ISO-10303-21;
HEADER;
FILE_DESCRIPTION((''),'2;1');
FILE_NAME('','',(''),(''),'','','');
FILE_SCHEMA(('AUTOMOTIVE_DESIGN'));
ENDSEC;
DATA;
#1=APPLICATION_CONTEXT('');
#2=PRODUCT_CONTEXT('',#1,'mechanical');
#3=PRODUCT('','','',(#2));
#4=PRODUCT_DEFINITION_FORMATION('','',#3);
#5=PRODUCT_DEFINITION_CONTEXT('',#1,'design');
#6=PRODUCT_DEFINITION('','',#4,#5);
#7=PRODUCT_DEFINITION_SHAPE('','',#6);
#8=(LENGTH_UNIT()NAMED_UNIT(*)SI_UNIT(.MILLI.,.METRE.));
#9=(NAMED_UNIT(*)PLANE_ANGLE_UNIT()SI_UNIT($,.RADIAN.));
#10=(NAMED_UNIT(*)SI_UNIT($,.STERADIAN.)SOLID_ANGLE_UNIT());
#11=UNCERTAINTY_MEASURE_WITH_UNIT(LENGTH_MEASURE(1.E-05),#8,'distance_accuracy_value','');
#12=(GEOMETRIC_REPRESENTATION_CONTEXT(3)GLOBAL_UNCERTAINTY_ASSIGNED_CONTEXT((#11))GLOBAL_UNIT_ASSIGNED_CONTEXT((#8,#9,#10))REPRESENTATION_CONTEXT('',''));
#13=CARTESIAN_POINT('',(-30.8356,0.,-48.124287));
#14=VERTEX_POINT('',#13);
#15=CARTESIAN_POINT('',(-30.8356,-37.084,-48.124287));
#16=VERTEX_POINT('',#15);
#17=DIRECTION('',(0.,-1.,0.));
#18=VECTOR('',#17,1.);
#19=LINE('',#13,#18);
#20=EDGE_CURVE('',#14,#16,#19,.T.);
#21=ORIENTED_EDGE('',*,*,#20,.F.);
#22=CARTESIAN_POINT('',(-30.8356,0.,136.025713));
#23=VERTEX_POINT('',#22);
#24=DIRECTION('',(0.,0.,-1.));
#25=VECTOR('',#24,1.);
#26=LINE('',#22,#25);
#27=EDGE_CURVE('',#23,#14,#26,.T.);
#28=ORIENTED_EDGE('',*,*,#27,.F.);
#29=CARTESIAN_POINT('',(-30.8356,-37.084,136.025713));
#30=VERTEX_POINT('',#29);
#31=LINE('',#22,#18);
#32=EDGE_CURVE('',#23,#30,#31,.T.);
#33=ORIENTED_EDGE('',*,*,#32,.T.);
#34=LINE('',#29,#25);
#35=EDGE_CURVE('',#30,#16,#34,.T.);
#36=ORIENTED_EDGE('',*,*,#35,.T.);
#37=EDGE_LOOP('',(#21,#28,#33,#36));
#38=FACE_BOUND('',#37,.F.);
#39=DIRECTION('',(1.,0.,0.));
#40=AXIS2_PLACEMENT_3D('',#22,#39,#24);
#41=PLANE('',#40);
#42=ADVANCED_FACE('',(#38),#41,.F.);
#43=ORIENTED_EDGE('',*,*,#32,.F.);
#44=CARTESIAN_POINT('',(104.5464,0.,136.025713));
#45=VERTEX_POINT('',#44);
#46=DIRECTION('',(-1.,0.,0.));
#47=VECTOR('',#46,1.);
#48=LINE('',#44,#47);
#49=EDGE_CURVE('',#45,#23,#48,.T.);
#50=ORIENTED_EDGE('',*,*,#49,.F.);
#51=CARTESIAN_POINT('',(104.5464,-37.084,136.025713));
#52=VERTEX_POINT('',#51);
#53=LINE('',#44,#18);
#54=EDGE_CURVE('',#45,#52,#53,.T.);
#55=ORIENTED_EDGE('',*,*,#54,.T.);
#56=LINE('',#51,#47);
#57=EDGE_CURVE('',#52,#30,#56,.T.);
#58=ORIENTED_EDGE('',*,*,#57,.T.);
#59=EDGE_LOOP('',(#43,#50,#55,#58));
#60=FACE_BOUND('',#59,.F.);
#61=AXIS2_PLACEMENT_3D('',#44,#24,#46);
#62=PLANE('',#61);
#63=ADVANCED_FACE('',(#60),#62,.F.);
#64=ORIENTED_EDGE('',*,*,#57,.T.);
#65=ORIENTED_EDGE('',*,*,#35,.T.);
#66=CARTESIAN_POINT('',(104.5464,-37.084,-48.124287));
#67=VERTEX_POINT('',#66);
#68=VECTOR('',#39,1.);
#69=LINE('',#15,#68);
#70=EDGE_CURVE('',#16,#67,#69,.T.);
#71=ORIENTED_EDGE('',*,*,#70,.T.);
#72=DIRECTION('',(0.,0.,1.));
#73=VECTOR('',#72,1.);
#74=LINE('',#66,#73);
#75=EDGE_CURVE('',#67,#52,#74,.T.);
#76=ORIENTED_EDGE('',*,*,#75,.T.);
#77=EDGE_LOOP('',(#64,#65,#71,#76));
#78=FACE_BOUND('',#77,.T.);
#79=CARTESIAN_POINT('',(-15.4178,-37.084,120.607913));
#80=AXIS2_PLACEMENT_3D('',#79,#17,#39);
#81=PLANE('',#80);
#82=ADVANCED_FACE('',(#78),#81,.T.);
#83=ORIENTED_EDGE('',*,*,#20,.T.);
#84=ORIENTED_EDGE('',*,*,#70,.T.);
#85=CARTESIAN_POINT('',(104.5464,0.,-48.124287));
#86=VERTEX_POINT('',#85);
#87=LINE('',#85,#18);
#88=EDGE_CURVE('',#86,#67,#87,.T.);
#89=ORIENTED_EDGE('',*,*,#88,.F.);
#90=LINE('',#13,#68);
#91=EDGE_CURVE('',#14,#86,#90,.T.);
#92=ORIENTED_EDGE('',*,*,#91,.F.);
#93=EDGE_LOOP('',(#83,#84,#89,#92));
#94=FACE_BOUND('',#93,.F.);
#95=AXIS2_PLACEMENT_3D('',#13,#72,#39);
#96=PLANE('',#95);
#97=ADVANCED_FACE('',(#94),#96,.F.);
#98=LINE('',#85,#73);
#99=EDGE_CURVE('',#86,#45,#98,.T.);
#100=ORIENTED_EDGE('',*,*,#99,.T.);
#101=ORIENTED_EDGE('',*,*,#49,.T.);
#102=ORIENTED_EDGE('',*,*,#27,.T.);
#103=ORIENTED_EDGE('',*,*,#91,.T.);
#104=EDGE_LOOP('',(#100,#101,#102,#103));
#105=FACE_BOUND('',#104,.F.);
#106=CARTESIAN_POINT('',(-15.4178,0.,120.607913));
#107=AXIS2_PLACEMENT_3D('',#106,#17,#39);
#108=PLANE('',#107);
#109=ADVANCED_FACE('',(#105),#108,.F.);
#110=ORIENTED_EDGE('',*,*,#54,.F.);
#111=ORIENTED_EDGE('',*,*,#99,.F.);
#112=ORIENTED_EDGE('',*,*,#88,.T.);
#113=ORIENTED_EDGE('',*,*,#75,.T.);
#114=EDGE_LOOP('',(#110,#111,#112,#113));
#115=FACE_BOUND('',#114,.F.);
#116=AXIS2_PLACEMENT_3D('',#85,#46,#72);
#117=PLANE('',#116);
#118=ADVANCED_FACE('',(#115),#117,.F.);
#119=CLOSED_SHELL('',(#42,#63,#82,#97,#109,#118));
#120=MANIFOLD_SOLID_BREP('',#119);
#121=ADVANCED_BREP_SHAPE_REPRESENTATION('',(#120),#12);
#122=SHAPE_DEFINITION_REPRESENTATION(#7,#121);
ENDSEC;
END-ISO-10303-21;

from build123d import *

# Parameters (mm, degrees)
F0_W     = 30.8356
F0_H     = 30.8356
F1_DEPTH = 37.084


with BuildPart() as f1:
    # F0 (on Front) → F1 (new body)
    with BuildSketch(Plane.XZ):
        with Locations((-15.4178, 120.607913)):
            Rectangle(F0_W, F0_H)
        with Locations((15.4178, 120.607913)):
            Rectangle(F0_W, F0_H)
        Polygon((0, 105.190113), (-30.8356, 105.190113), (-30.8356, -48.124287), (104.5464, -48.124287), (104.5464, 136.025713), (92.5068, 136.025713), (92.5068, 105.190113), (61.6712, 105.190113), (30.8356, 105.190113), align=None)
        with Locations((46.2534, 120.607913)):
            Rectangle(F0_W, F0_H)
        with Locations((77.089, 120.607913)):
            Rectangle(F0_W, F0_H)
    extrude(amount=F1_DEPTH)


solid = f1.part
